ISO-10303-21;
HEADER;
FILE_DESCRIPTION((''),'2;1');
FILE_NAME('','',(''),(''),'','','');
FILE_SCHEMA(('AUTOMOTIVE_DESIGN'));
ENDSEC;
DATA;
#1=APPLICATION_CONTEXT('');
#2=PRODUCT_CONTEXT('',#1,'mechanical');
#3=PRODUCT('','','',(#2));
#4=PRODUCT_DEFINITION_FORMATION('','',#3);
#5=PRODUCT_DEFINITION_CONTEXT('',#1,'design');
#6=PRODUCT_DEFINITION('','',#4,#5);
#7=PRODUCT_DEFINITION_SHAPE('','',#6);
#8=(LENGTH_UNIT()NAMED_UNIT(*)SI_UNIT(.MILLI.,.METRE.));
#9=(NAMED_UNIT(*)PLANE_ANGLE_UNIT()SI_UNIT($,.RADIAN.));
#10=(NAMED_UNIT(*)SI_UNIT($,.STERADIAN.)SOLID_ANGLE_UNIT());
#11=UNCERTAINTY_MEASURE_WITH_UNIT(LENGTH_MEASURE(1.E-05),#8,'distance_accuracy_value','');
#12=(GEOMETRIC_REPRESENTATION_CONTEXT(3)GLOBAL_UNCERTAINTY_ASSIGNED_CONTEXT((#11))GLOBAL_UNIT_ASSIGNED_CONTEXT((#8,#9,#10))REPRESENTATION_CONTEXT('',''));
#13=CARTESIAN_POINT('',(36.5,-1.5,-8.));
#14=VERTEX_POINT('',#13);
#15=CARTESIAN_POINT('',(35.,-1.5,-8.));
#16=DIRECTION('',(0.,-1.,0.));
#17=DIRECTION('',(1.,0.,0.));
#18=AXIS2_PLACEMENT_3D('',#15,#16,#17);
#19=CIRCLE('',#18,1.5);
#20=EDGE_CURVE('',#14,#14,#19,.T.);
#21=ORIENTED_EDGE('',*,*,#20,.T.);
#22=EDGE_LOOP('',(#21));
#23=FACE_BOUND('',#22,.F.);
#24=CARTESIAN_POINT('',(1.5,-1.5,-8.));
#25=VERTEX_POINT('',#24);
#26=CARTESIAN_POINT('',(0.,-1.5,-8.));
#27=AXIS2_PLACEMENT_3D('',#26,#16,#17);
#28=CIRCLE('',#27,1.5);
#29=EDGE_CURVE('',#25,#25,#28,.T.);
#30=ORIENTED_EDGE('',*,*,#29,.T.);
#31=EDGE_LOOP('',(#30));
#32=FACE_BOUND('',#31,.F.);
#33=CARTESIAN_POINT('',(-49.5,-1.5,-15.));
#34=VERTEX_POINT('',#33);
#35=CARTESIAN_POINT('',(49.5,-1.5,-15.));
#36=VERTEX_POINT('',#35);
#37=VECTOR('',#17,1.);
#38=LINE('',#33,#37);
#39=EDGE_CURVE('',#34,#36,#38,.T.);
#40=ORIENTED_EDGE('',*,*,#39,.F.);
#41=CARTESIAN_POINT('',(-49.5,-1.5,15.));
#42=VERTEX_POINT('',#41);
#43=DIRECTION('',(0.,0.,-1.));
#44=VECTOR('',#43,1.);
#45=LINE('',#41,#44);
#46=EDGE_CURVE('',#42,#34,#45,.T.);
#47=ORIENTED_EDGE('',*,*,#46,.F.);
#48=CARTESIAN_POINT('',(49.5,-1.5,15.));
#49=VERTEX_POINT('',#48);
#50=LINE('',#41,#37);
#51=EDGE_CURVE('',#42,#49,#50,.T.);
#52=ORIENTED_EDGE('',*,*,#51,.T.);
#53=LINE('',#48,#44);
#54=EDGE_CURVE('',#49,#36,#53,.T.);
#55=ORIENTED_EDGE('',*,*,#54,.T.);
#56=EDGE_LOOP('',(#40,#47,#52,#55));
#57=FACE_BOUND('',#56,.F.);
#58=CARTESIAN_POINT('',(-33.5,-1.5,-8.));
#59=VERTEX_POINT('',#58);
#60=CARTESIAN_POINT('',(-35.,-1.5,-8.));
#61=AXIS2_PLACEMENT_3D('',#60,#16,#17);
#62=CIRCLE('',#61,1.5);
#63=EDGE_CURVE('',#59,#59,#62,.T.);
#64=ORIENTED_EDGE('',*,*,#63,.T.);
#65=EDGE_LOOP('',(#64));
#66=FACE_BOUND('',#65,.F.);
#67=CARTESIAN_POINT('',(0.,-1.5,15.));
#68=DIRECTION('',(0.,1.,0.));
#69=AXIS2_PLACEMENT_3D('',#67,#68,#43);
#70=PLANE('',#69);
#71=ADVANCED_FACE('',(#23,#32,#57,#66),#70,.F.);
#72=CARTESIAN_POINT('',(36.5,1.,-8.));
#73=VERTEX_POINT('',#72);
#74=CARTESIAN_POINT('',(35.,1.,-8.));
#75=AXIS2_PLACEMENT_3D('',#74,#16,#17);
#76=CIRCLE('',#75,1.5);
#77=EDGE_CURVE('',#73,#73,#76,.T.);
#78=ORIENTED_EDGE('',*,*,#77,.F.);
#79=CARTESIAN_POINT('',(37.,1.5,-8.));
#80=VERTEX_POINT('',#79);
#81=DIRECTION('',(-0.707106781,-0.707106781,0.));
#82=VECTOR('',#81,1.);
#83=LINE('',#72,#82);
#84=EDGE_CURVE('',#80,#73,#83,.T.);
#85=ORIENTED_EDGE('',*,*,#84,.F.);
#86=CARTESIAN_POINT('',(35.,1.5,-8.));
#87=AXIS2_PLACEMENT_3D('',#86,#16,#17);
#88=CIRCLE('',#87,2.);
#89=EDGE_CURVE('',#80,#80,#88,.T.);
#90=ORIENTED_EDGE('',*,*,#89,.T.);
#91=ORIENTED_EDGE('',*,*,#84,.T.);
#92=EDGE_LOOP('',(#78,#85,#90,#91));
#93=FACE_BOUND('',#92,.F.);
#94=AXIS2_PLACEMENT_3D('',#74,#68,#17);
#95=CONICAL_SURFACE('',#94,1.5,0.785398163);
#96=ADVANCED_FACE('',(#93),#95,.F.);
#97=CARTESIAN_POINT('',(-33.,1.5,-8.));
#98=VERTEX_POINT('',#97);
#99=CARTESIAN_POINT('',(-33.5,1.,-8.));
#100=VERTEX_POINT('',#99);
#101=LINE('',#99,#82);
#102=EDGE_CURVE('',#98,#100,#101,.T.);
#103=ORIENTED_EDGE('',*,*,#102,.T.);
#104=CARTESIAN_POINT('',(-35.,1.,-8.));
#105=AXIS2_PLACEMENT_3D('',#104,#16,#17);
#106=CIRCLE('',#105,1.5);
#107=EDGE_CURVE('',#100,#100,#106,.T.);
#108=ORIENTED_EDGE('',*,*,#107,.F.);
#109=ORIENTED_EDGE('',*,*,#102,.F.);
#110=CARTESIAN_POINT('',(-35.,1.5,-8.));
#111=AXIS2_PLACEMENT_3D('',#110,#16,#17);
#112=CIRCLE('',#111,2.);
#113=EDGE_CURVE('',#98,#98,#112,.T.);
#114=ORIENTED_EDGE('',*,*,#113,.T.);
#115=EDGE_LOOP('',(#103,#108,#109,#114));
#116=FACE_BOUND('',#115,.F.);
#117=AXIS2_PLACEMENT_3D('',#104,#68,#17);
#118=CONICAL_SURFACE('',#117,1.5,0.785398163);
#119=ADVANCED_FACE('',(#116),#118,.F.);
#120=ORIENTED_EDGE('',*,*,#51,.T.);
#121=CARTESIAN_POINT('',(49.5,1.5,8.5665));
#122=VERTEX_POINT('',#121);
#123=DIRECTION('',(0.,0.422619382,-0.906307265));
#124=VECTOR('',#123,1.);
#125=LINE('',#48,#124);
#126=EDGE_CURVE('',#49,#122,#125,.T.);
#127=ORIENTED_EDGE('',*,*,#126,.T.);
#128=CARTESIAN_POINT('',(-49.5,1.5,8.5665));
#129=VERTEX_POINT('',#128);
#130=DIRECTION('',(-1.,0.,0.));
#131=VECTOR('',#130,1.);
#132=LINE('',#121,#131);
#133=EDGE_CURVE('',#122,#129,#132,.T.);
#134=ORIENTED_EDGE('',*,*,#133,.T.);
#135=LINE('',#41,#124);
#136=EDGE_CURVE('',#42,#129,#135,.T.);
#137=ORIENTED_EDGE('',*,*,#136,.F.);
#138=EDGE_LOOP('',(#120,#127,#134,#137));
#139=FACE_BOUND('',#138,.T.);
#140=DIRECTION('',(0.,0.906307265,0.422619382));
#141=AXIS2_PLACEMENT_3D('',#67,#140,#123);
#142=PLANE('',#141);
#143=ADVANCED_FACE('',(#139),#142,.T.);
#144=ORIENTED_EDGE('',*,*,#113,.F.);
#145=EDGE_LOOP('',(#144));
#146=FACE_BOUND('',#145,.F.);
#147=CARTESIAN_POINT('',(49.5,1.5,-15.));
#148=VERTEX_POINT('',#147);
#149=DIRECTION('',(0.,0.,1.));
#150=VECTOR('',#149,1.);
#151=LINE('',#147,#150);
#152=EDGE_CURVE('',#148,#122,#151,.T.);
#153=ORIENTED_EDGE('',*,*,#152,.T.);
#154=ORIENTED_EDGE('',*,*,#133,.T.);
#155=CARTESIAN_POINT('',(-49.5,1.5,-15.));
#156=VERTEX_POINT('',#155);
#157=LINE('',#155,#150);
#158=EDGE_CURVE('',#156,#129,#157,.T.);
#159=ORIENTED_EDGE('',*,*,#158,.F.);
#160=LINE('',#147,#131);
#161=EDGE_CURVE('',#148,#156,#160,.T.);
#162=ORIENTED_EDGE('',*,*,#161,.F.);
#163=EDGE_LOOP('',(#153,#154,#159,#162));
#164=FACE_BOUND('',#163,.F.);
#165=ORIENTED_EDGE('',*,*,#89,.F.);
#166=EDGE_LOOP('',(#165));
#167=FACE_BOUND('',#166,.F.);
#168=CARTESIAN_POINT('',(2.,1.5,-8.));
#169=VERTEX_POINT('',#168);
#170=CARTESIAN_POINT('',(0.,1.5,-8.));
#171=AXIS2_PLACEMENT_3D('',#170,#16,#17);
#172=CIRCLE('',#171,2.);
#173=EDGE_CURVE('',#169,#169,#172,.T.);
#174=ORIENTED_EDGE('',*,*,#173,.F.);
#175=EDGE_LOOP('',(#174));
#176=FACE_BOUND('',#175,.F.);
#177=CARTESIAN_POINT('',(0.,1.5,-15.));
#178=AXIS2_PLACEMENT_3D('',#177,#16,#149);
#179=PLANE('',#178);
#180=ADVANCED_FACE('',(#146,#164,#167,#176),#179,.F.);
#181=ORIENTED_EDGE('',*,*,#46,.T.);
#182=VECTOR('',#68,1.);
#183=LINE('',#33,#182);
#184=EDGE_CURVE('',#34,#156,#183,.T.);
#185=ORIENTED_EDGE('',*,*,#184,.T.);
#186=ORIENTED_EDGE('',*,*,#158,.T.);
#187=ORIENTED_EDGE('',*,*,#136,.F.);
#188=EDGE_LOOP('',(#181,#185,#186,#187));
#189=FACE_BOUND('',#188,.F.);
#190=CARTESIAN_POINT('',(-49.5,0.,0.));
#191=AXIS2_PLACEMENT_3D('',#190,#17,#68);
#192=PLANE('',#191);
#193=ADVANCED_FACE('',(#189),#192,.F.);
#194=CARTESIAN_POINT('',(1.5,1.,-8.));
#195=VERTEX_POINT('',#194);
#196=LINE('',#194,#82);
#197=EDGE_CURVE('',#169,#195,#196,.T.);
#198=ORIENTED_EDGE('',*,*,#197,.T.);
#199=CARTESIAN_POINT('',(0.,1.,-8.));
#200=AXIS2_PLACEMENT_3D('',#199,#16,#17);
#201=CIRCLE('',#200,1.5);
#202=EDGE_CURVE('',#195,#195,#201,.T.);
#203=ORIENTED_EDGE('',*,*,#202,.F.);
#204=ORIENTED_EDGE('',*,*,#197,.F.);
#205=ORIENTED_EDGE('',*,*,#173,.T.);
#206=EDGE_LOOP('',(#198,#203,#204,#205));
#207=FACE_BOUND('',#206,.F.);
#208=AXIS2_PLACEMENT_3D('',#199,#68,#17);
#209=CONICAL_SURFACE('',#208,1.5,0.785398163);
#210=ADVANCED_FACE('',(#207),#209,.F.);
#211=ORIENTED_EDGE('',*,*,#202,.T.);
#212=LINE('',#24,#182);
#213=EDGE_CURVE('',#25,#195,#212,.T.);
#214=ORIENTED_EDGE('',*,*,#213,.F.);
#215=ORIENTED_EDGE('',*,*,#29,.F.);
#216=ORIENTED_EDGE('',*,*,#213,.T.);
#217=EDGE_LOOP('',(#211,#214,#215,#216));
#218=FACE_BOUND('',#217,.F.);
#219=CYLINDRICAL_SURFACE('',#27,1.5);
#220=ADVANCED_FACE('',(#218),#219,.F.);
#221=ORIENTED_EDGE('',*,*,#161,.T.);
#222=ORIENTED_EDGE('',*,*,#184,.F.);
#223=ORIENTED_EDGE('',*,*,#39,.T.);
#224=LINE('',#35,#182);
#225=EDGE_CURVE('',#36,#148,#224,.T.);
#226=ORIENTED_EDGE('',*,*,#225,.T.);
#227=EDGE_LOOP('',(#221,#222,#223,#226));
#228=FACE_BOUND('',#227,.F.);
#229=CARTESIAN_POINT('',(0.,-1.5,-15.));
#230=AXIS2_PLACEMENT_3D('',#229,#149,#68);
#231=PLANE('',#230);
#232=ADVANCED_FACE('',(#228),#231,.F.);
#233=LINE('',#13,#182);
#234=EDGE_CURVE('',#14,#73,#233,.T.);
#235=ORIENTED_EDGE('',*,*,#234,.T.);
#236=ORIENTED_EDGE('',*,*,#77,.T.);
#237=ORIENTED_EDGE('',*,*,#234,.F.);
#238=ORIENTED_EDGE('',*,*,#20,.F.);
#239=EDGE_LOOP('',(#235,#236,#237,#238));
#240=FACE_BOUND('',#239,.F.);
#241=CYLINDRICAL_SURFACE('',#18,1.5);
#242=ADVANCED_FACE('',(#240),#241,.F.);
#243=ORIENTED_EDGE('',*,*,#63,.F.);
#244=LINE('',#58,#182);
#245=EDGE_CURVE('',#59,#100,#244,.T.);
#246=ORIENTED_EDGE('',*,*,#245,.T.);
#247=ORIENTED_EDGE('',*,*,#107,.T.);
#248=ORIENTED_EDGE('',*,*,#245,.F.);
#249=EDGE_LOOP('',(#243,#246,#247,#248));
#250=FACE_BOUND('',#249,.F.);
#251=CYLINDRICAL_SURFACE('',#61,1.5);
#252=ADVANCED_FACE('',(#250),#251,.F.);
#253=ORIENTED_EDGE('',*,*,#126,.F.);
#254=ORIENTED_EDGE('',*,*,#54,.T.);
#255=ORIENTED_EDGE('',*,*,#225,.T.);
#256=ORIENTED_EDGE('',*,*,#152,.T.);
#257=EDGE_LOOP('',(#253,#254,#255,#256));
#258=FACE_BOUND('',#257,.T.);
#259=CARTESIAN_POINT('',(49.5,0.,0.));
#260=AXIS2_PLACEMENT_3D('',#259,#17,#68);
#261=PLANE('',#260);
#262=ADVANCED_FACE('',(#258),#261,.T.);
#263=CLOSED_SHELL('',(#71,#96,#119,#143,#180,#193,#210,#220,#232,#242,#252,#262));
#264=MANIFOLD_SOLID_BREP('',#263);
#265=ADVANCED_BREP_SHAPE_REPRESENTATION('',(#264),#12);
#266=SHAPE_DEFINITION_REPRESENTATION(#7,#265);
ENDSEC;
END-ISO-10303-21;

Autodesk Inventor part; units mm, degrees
ref_plane "YZ Plane" through (0, 0, 0) normal (1, 0, 0) x (0, 1, 0)
ref_plane "XZ Plane" through (0, 0, 0) normal (0, 1, 0) x (-1, 0, 0)
ref_plane "XY Plane" through (0, 0, 0) normal (0, 0, 1) x (1, 0, 0)
sketch "Náčrt1" plane through (0, 0, 0) normal (1, 0, 0) x (0, 1, 0)
  line L0 (1.5, 15) -> (-1.5, 15)
  line L1 (-1.5, 15) -> (-1.5, -15)
  line L2 (-1.5, -15) -> (1.5, -15)
  line L3 (1.5, -15) -> (1.5, 15)
  line L4 (1.5, 15) -> (-1.5, -15) construction
  line L5 (-1.5, 15) -> (1.5, -15) construction
  line L6 (-1.5, 15) -> (1.5, 8.5665)
  point P0 (0, 0)
  dimension "d0" = 3
  dimension "d1" = 30
  dimension "d2" = 25
extrude "Vysunutí1" add sketch "Náčrt1" along normal mid plane 99 contours L6 L3 L2 L1
sketch "Náčrt2" plane through (-49.5, -1.5, -15) normal (0, -1, 0) x (1, 0, 0)
  circle A0 centre (84.5, 7) radius 1.5
  circle A1 centre (49.5, 7) radius 1.5
  circle A2 centre (14.5, 7) radius 1.5
  line L0 (0, 0) -> (99, 0) projected
  line L1 (99, 30) -> (99, 0) projected
  line L2 (0, 30) -> (99, 30) projected
  line L3 (0, 0) -> (0, 30) projected
  line L4 (99, 7) -> (0, 7) construction
  line L5 (49.5, 0) -> (49.5, 30) construction
  point P0 (49.5, 15)
  dimension "d5" = 7
  dimension "d6" = 3
  dimension "d7" = 35
  dimension "d8" = 3
extrude "Vysunutí2" cut sketch "Náčrt2" against normal through all contours A0 | A1 | A2
thread "Závit1" size "M3x0.5" class "6H" standard "ANSI Metric M Profile" full length
thread "Závit2" size "M3x0.5" class "6H" standard "ANSI Metric M Profile" full length
thread "Závit3" size "M3x0.5" class "6H" standard "ANSI Metric M Profile" full length
chamfer "Zkosení1" distance 0.5 angle 45 3 edges at (-36.5, 1.5, -8) (-1.5, 1.5, -8) (33.5, 1.5, -8)
sketch "Náčrt3" plane through (-49.5, -1.5, -15) normal (0, -1, 0) x (1, 0, 0)
  circle A0 centre (14.5, 7) radius 1.5 projected
  circle A1 centre (49.5, 7) radius 1.5 projected
  circle A2 centre (84.5, 7) radius 1.5 projected
  line L0 (0, 0) -> (99, 0) projected
  line L1 (99, 30) -> (99, 0) projected
  line L2 (0, 30) -> (99, 30) projected
  line L3 (0, 0) -> (0, 30) projected
  line L4 (98.5, 0.5) -> (53.2335, 0.5) construction
  line L5 (53.2335, 0.5) -> (53.2335, 9.4631) construction
  line L6 (53.2335, 9.4631) -> (98.5, 9.4631) construction
  line L7 (98.5, 9.4631) -> (98.5, 0.5) construction
  point P0 (49.5, 15)
  dimension "d0" = 3
  dimension "d1" = 30
  dimension "d2" = 25
  dimension "d22" = 0.5
  dimension "d23" = 0.5
properties part number "Knife" material "Ocel, uhlík"
